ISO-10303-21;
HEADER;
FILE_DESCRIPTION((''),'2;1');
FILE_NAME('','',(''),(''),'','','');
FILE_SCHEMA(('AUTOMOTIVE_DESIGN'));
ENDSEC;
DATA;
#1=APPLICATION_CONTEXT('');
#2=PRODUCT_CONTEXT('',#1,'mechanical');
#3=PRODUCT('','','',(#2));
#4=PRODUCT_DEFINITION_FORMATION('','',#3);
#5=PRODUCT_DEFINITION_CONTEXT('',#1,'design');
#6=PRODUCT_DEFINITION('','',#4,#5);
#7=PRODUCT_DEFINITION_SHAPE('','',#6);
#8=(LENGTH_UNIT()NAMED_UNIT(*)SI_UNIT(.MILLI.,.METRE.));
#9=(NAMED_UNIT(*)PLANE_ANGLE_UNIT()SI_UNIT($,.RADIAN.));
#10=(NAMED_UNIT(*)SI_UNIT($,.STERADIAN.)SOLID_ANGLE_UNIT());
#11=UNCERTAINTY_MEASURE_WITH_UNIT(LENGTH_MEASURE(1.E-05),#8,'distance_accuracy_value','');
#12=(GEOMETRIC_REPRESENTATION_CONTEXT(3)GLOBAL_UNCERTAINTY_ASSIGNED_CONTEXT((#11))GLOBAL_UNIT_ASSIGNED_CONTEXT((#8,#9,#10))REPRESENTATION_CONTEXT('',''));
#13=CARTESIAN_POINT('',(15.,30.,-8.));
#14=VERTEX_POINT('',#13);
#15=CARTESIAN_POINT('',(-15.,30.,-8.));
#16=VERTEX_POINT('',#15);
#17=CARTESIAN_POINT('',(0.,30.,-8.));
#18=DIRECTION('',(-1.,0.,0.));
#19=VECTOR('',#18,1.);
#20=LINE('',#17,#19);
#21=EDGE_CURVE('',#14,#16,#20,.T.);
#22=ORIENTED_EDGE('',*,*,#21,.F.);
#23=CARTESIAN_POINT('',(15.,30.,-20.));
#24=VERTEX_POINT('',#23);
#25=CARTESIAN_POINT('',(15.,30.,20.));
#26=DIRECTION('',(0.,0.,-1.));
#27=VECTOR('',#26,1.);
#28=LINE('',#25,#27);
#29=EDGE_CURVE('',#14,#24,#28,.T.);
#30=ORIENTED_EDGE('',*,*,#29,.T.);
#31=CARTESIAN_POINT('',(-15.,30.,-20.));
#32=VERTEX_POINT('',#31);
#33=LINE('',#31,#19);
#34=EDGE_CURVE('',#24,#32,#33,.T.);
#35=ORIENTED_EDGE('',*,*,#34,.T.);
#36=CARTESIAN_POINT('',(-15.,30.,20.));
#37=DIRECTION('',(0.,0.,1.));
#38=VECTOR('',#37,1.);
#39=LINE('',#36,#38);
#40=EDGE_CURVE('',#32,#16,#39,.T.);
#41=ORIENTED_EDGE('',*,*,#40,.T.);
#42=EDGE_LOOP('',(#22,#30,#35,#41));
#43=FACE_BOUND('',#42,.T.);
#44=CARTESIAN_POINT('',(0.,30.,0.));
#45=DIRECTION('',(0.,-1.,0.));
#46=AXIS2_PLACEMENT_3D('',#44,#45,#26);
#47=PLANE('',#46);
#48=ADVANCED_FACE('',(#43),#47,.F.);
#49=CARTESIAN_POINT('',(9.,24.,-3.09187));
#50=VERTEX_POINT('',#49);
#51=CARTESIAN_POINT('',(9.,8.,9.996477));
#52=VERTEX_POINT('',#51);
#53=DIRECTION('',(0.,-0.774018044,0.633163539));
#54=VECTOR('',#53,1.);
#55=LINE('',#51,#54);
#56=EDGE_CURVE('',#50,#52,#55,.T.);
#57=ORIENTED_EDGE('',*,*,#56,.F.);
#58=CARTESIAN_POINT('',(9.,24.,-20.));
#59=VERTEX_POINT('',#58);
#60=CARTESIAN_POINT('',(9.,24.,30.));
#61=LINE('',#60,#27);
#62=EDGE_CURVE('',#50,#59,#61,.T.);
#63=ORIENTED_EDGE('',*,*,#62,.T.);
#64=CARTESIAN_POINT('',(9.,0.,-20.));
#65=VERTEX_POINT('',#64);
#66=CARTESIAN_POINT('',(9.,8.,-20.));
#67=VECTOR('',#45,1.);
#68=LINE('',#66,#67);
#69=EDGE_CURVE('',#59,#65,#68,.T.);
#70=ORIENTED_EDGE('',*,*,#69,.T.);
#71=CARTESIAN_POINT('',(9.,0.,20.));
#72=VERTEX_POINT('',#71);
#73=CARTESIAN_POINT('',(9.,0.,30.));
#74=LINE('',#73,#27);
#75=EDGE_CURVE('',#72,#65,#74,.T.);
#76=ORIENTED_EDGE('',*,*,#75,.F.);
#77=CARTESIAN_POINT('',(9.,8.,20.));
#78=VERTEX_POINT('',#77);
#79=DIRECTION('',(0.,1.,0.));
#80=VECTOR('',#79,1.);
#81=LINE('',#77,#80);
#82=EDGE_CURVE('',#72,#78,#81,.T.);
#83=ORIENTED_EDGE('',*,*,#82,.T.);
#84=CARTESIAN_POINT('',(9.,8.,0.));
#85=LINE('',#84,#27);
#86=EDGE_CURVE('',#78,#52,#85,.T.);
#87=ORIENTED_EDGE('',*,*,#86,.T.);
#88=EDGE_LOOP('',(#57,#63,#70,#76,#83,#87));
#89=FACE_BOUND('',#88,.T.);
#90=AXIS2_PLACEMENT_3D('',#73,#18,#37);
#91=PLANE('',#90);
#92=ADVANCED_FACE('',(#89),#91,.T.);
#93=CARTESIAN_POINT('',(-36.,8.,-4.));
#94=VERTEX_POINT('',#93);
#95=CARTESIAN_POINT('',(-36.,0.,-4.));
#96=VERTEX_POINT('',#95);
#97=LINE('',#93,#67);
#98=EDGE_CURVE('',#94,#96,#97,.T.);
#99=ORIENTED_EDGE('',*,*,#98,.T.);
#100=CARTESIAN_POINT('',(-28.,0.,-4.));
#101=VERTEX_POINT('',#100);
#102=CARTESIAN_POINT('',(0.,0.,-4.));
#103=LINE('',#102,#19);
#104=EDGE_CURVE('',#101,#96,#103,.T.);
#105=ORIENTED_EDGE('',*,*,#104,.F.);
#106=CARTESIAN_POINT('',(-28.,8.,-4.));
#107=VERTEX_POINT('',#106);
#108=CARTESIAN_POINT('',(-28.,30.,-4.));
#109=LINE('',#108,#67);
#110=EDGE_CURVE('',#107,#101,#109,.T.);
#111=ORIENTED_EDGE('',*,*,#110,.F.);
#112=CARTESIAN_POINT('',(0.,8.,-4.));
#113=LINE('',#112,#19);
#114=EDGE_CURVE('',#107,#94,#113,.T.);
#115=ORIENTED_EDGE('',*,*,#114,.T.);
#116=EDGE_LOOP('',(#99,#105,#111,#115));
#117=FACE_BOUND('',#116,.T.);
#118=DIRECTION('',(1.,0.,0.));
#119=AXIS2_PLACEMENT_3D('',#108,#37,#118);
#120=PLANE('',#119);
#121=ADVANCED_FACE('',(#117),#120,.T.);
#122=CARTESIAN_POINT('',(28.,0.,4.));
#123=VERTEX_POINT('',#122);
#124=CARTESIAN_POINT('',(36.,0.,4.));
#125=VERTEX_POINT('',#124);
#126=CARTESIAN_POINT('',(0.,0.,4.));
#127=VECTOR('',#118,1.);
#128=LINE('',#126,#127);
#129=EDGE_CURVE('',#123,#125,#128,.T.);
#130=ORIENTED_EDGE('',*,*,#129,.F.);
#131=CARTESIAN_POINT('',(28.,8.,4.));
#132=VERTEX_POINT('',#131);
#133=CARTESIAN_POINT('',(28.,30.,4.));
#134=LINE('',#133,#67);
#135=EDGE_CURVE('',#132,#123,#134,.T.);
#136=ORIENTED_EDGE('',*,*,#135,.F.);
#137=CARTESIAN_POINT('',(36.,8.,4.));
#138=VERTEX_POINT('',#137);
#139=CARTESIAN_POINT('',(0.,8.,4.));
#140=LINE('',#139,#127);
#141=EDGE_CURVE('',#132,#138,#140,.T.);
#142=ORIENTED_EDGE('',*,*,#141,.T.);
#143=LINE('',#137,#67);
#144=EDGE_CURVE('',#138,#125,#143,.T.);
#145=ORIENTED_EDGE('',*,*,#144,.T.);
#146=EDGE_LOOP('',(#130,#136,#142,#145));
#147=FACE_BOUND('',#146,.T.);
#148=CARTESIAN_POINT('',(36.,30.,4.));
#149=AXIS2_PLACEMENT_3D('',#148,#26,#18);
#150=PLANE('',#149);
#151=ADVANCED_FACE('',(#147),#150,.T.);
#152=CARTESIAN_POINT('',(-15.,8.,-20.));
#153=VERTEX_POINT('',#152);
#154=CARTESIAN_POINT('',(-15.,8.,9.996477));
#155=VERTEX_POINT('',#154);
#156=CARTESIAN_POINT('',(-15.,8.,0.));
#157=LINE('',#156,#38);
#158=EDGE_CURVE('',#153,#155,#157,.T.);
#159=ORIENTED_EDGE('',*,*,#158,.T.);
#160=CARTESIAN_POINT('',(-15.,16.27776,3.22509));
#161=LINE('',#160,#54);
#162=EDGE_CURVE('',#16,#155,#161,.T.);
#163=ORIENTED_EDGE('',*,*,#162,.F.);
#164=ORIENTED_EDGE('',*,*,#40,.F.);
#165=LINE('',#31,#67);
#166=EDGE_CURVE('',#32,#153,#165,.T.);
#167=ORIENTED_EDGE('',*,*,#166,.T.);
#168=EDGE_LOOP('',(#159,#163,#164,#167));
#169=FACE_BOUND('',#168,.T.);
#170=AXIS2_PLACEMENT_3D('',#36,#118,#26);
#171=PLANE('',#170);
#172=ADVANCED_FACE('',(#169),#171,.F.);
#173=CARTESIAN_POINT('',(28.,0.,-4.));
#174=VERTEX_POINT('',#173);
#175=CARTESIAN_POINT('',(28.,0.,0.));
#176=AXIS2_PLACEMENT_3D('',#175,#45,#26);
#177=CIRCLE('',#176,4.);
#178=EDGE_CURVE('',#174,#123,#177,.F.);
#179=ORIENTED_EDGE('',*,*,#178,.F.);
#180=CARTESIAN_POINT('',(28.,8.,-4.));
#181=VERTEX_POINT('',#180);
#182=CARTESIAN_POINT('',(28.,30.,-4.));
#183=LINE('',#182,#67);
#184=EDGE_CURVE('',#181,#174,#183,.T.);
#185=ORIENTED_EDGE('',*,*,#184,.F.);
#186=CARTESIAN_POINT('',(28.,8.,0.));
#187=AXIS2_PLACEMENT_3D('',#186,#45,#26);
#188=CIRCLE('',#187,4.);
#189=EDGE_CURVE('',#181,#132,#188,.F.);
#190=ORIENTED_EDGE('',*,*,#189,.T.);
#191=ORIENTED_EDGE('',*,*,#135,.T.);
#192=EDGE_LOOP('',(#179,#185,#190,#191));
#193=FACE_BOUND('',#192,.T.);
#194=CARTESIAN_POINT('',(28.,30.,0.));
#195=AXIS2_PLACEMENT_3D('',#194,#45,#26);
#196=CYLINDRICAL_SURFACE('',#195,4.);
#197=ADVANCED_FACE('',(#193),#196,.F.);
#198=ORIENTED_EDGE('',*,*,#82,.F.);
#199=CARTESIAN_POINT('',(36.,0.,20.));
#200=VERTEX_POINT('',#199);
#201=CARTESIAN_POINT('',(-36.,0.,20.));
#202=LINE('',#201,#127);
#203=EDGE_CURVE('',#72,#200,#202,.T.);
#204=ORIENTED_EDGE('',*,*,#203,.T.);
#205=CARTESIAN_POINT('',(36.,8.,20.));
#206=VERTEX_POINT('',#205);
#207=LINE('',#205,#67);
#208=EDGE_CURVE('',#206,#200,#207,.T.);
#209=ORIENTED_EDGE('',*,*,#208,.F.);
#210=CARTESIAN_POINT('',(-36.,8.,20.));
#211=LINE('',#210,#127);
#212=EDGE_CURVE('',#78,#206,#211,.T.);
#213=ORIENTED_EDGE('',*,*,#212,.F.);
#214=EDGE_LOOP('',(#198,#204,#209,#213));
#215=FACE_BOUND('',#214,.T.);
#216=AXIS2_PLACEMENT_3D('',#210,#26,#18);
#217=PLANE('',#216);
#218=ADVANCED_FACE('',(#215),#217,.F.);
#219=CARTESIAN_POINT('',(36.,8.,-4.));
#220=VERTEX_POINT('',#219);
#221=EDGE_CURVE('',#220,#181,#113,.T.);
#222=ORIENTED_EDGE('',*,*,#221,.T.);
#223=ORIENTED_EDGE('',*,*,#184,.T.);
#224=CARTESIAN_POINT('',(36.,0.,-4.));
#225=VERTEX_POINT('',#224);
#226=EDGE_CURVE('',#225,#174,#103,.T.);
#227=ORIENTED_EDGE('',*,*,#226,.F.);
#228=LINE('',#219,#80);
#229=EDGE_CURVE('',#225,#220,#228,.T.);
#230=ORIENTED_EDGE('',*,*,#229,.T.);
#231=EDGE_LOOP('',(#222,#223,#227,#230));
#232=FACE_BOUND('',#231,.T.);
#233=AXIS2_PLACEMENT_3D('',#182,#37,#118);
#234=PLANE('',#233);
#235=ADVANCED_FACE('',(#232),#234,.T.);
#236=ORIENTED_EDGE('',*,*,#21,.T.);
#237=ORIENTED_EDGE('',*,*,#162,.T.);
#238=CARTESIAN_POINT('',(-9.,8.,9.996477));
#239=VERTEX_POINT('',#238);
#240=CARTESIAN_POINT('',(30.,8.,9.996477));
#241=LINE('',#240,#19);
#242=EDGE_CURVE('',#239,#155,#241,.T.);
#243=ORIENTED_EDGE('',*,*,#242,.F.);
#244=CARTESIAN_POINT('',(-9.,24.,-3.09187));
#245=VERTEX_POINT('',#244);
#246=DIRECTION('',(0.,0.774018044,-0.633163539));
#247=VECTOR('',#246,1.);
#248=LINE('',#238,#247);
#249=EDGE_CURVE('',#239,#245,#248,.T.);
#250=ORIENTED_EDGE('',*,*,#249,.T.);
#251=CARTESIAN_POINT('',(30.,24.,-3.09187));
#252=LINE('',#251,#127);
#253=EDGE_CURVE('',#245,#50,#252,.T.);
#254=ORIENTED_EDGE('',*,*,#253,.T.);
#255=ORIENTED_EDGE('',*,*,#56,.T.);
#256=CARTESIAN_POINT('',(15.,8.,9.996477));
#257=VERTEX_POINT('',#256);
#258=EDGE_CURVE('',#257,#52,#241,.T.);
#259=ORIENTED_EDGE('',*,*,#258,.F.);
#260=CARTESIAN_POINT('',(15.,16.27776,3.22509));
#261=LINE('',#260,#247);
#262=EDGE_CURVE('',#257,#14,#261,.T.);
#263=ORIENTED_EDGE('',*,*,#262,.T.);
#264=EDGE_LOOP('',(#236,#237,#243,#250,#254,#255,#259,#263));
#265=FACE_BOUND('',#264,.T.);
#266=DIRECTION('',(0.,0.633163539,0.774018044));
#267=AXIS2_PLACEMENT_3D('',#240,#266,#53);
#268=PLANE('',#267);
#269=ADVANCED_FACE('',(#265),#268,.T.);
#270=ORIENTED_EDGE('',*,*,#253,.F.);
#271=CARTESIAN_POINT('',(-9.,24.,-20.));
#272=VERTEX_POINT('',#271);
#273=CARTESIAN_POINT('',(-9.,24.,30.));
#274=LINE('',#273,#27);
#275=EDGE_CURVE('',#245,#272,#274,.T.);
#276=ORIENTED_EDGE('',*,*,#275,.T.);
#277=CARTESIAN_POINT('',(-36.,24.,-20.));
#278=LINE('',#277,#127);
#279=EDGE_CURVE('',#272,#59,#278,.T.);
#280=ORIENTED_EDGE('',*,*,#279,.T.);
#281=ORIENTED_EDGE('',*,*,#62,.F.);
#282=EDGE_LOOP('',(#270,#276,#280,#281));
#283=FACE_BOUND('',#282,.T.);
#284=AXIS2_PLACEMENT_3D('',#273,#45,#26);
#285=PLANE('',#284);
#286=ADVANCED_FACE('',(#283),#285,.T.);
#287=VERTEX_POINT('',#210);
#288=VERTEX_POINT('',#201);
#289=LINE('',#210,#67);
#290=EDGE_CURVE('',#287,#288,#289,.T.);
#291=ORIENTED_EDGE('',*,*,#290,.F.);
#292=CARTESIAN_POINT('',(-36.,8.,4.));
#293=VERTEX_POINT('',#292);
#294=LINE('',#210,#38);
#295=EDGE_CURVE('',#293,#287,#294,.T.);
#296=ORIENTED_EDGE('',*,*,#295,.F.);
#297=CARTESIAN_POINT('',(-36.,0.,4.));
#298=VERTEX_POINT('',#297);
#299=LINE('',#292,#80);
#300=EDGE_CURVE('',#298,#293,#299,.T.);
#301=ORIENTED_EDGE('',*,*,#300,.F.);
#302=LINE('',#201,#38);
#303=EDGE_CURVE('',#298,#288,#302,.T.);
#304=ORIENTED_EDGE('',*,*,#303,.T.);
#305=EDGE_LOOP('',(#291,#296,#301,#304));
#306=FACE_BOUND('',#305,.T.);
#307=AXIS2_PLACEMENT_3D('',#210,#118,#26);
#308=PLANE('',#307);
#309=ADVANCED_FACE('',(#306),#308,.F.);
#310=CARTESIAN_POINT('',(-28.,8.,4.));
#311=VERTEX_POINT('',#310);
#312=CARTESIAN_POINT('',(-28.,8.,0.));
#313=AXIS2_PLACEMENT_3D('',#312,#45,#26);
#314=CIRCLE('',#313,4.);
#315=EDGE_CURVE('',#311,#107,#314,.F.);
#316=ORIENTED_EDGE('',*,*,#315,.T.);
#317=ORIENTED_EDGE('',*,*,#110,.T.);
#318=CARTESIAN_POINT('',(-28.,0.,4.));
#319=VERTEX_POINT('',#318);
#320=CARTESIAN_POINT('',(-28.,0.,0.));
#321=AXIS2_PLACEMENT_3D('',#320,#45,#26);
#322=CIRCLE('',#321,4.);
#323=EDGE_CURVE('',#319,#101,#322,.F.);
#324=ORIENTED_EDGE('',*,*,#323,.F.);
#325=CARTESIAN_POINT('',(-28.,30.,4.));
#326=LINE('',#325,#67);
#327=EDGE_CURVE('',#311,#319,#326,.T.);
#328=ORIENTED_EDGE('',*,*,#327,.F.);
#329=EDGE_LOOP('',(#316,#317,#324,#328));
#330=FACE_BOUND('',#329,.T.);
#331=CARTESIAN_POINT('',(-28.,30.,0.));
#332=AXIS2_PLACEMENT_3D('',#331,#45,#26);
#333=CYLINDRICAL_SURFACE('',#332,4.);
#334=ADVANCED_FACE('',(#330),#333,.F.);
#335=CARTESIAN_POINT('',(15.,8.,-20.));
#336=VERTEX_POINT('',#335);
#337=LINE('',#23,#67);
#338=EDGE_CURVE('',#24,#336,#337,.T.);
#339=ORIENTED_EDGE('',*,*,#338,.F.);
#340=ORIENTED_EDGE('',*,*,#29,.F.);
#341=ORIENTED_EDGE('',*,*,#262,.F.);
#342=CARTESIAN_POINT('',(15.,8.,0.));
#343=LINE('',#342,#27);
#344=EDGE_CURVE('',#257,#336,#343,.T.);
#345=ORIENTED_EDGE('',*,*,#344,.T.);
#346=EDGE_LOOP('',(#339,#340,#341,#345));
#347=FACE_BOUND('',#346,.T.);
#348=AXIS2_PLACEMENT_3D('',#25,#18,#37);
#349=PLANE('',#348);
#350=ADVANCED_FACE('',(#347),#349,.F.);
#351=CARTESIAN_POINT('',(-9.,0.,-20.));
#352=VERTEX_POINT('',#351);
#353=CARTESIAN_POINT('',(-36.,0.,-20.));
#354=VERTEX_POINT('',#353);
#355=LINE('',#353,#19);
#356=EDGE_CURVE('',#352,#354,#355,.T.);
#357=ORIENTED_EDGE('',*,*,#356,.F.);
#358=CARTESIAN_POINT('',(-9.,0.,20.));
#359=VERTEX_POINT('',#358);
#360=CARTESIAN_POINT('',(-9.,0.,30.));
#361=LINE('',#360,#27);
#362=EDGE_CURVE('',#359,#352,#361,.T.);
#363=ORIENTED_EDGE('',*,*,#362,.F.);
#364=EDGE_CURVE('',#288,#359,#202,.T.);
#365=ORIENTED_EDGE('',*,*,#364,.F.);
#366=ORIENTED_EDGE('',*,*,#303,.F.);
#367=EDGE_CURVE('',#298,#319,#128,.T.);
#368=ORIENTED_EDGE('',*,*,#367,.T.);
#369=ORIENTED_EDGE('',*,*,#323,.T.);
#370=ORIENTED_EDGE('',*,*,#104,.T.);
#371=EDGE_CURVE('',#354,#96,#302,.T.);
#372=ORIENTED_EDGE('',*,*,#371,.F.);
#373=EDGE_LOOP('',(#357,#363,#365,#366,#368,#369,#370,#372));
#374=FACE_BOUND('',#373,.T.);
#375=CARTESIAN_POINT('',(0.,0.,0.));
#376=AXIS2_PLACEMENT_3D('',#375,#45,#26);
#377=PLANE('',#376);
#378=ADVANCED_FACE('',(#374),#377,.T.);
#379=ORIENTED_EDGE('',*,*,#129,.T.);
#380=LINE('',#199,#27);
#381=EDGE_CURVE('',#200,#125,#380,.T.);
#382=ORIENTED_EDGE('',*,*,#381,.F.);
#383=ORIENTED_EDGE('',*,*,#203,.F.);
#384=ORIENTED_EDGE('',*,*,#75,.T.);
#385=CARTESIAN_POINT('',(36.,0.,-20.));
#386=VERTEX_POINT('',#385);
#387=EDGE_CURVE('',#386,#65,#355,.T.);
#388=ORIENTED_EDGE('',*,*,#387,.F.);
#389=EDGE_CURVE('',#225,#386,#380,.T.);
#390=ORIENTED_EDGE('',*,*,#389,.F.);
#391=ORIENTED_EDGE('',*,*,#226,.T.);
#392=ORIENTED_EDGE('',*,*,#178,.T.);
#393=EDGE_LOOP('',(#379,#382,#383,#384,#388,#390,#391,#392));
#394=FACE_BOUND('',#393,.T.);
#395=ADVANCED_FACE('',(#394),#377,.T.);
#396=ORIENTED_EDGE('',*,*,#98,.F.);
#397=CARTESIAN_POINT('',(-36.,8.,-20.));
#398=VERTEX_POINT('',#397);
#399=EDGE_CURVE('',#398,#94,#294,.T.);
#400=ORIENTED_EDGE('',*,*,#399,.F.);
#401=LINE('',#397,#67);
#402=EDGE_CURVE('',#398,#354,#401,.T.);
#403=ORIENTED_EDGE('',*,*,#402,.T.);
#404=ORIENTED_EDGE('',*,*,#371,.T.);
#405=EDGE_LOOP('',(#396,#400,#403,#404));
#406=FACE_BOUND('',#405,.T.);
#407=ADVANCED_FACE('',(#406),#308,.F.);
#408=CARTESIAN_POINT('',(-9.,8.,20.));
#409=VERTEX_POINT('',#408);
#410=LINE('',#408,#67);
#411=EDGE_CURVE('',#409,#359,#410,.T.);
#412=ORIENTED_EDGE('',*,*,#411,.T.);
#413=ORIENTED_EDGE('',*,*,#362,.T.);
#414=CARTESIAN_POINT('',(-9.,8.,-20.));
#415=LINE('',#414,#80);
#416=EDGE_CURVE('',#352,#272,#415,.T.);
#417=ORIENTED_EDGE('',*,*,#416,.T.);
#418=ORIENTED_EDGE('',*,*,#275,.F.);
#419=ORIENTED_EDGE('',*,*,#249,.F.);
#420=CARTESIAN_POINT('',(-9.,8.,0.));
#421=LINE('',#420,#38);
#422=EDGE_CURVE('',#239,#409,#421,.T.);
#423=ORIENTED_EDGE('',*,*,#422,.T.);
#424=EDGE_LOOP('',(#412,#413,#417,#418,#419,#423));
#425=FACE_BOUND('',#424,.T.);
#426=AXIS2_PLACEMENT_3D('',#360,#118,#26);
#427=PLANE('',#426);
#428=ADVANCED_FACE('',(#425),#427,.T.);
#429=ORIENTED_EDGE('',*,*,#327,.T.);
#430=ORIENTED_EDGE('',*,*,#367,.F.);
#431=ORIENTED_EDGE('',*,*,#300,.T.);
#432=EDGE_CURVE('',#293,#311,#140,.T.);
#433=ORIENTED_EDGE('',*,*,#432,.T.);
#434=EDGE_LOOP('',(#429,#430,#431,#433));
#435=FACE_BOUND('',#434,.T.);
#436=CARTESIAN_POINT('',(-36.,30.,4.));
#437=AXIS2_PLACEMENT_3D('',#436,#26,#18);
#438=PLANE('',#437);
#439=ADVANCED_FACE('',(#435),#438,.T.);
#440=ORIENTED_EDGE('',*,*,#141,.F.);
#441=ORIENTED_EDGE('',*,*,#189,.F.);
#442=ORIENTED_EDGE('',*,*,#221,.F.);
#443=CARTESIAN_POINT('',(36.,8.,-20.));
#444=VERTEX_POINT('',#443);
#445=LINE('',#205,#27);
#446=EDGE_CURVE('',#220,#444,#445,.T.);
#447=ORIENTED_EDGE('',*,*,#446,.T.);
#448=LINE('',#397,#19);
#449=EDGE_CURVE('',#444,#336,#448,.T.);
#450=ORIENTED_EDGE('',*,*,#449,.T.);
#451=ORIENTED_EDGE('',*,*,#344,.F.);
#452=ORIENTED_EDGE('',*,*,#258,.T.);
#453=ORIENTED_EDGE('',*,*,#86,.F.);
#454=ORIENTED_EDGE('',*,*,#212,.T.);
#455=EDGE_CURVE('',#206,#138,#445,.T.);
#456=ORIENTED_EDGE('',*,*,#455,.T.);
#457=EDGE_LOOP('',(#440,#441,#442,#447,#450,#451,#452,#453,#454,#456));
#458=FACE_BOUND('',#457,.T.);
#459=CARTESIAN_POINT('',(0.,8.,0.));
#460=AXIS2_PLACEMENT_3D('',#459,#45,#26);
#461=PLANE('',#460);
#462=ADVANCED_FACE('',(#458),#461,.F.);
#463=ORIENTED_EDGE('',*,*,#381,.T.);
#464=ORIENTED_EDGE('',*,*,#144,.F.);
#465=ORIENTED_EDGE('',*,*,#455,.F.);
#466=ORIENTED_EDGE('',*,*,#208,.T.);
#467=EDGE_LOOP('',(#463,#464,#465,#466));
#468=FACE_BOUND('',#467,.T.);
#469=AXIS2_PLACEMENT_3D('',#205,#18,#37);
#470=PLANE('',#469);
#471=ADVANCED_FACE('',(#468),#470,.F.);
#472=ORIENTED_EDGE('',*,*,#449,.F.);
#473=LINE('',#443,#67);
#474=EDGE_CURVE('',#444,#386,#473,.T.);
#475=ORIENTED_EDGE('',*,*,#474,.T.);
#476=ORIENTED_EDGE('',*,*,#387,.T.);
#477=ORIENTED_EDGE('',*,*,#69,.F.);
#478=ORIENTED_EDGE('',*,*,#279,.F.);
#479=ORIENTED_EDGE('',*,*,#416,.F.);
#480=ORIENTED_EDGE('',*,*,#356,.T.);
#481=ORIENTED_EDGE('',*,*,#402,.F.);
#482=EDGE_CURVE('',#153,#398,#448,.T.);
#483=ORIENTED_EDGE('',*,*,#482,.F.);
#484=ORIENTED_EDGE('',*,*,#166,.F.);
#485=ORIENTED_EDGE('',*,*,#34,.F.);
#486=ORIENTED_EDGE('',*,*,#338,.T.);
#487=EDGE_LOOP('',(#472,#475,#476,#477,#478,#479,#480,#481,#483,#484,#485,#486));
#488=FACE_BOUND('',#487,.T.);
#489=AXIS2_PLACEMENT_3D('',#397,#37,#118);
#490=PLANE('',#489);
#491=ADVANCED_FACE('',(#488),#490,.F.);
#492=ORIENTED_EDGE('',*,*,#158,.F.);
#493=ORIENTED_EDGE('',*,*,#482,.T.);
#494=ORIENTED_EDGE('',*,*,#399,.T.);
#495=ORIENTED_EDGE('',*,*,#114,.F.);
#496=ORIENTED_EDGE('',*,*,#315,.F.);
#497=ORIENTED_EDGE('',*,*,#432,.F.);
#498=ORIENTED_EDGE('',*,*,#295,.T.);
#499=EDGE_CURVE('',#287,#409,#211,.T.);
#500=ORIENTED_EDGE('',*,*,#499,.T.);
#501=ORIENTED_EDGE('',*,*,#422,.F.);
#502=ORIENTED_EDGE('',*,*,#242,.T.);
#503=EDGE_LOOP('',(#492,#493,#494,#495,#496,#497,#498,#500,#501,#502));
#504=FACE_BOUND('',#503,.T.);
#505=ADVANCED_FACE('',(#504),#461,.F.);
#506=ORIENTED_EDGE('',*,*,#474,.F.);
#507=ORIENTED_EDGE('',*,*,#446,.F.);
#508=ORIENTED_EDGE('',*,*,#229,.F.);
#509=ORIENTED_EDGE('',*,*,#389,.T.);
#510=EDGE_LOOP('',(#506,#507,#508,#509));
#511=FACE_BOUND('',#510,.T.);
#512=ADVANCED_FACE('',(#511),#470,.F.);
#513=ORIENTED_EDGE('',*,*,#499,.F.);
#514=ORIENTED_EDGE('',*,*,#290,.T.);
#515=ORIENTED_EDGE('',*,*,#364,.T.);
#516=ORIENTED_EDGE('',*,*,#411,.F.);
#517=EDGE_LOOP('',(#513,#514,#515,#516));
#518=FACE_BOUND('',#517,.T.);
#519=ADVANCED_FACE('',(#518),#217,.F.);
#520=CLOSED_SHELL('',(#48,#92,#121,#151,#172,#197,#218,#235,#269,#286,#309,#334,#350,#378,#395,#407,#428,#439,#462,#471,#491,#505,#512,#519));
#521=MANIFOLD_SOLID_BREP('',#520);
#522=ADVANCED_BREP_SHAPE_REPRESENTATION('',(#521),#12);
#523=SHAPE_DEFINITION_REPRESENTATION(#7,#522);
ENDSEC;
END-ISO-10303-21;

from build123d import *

# Parameters (mm, degrees)
SKETCH_1_W               = 72
SKETCH_1_H               = 40
EXTRUDE_1_DEPTH          = 8
SKETCH_2_W               = 30
SKETCH_2_H               = 40
EXTRUDE_2_DEPTH          = 30
CUT_EXTRUDE_1_DEPTH      = 30
CUT_EXTRUDE_1_DEPTH_BACK = 30
CUT_EXTRUDE_2_DEPTH      = 30
CUT_EXTRUDE_2_DEPTH_BACK = 30
SKETCH_4_W               = 18
SKETCH_4_H               = 24
CUT_EXTRUDE_4_DEPTH      = 30
CUT_EXTRUDE_4_DEPTH_BACK = 30


with BuildPart() as part:
    # 草图1 → 凸台-拉伸1 (new body)
    with BuildSketch(Plane(origin=(0, 0, 0), x_dir=(1, 0, 0), z_dir=(0, 1, 0))):
        Rectangle(SKETCH_1_W, SKETCH_1_H)
    extrude(amount=EXTRUDE_1_DEPTH)

    # 草图2 → 凸台-拉伸2 (add)
    with BuildSketch(Plane(origin=(0, 0, 0), x_dir=(1, 0, 0), z_dir=(0, 1, 0))):
        Rectangle(SKETCH_2_W, SKETCH_2_H)
    extrude(amount=EXTRUDE_2_DEPTH)

    # 草图3 → 切除-拉伸1 (cut, two sides: drawn at the far end of the back side and taken through both)
    with BuildSketch(Plane(origin=(0, 0, 0), x_dir=(0, 0, -1), z_dir=(1, 0, 0)).offset(-CUT_EXTRUDE_1_DEPTH_BACK)):
        Polygon((-9.996476923, 8), (8, 30), (-20, 30), (-20, 8), align=None)
    extrude(amount=CUT_EXTRUDE_1_DEPTH + CUT_EXTRUDE_1_DEPTH_BACK, mode=Mode.SUBTRACT)

    # 草图4 → 切除-拉伸2 (cut, two sides: drawn at the far end of the back side and taken through both)
    with BuildSketch(Plane.XY.offset(-CUT_EXTRUDE_2_DEPTH_BACK)):
        with Locations((0, 12)):
            Rectangle(SKETCH_4_W, SKETCH_4_H)
    extrude(amount=CUT_EXTRUDE_2_DEPTH + CUT_EXTRUDE_2_DEPTH_BACK, mode=Mode.SUBTRACT)

    # 草图7 → 切除-拉伸4 (cut, two sides: drawn at the far end of the back side and taken through both)
    with BuildSketch(Plane(origin=(0, 0, 0), x_dir=(1, 0, 0), z_dir=(0, 1, 0)).offset(-CUT_EXTRUDE_4_DEPTH_BACK)):
        with BuildLine():
            Line((-28, 4), (-36, 4))
            Line((-36, 4), (-36, -4))
            Line((-36, -4), (-28, -4))
            ThreePointArc((-28, -4), (-24, 0), (-28, 4))
        make_face()
        with BuildLine():
            Line((28, 4), (36, 4))
            Line((36, 4), (36, -4))
            Line((36, -4), (28, -4))
            ThreePointArc((28, -4), (24, 0), (28, 4))
        make_face()
    extrude(amount=CUT_EXTRUDE_4_DEPTH + CUT_EXTRUDE_4_DEPTH_BACK, mode=Mode.SUBTRACT)


solid = part.part
